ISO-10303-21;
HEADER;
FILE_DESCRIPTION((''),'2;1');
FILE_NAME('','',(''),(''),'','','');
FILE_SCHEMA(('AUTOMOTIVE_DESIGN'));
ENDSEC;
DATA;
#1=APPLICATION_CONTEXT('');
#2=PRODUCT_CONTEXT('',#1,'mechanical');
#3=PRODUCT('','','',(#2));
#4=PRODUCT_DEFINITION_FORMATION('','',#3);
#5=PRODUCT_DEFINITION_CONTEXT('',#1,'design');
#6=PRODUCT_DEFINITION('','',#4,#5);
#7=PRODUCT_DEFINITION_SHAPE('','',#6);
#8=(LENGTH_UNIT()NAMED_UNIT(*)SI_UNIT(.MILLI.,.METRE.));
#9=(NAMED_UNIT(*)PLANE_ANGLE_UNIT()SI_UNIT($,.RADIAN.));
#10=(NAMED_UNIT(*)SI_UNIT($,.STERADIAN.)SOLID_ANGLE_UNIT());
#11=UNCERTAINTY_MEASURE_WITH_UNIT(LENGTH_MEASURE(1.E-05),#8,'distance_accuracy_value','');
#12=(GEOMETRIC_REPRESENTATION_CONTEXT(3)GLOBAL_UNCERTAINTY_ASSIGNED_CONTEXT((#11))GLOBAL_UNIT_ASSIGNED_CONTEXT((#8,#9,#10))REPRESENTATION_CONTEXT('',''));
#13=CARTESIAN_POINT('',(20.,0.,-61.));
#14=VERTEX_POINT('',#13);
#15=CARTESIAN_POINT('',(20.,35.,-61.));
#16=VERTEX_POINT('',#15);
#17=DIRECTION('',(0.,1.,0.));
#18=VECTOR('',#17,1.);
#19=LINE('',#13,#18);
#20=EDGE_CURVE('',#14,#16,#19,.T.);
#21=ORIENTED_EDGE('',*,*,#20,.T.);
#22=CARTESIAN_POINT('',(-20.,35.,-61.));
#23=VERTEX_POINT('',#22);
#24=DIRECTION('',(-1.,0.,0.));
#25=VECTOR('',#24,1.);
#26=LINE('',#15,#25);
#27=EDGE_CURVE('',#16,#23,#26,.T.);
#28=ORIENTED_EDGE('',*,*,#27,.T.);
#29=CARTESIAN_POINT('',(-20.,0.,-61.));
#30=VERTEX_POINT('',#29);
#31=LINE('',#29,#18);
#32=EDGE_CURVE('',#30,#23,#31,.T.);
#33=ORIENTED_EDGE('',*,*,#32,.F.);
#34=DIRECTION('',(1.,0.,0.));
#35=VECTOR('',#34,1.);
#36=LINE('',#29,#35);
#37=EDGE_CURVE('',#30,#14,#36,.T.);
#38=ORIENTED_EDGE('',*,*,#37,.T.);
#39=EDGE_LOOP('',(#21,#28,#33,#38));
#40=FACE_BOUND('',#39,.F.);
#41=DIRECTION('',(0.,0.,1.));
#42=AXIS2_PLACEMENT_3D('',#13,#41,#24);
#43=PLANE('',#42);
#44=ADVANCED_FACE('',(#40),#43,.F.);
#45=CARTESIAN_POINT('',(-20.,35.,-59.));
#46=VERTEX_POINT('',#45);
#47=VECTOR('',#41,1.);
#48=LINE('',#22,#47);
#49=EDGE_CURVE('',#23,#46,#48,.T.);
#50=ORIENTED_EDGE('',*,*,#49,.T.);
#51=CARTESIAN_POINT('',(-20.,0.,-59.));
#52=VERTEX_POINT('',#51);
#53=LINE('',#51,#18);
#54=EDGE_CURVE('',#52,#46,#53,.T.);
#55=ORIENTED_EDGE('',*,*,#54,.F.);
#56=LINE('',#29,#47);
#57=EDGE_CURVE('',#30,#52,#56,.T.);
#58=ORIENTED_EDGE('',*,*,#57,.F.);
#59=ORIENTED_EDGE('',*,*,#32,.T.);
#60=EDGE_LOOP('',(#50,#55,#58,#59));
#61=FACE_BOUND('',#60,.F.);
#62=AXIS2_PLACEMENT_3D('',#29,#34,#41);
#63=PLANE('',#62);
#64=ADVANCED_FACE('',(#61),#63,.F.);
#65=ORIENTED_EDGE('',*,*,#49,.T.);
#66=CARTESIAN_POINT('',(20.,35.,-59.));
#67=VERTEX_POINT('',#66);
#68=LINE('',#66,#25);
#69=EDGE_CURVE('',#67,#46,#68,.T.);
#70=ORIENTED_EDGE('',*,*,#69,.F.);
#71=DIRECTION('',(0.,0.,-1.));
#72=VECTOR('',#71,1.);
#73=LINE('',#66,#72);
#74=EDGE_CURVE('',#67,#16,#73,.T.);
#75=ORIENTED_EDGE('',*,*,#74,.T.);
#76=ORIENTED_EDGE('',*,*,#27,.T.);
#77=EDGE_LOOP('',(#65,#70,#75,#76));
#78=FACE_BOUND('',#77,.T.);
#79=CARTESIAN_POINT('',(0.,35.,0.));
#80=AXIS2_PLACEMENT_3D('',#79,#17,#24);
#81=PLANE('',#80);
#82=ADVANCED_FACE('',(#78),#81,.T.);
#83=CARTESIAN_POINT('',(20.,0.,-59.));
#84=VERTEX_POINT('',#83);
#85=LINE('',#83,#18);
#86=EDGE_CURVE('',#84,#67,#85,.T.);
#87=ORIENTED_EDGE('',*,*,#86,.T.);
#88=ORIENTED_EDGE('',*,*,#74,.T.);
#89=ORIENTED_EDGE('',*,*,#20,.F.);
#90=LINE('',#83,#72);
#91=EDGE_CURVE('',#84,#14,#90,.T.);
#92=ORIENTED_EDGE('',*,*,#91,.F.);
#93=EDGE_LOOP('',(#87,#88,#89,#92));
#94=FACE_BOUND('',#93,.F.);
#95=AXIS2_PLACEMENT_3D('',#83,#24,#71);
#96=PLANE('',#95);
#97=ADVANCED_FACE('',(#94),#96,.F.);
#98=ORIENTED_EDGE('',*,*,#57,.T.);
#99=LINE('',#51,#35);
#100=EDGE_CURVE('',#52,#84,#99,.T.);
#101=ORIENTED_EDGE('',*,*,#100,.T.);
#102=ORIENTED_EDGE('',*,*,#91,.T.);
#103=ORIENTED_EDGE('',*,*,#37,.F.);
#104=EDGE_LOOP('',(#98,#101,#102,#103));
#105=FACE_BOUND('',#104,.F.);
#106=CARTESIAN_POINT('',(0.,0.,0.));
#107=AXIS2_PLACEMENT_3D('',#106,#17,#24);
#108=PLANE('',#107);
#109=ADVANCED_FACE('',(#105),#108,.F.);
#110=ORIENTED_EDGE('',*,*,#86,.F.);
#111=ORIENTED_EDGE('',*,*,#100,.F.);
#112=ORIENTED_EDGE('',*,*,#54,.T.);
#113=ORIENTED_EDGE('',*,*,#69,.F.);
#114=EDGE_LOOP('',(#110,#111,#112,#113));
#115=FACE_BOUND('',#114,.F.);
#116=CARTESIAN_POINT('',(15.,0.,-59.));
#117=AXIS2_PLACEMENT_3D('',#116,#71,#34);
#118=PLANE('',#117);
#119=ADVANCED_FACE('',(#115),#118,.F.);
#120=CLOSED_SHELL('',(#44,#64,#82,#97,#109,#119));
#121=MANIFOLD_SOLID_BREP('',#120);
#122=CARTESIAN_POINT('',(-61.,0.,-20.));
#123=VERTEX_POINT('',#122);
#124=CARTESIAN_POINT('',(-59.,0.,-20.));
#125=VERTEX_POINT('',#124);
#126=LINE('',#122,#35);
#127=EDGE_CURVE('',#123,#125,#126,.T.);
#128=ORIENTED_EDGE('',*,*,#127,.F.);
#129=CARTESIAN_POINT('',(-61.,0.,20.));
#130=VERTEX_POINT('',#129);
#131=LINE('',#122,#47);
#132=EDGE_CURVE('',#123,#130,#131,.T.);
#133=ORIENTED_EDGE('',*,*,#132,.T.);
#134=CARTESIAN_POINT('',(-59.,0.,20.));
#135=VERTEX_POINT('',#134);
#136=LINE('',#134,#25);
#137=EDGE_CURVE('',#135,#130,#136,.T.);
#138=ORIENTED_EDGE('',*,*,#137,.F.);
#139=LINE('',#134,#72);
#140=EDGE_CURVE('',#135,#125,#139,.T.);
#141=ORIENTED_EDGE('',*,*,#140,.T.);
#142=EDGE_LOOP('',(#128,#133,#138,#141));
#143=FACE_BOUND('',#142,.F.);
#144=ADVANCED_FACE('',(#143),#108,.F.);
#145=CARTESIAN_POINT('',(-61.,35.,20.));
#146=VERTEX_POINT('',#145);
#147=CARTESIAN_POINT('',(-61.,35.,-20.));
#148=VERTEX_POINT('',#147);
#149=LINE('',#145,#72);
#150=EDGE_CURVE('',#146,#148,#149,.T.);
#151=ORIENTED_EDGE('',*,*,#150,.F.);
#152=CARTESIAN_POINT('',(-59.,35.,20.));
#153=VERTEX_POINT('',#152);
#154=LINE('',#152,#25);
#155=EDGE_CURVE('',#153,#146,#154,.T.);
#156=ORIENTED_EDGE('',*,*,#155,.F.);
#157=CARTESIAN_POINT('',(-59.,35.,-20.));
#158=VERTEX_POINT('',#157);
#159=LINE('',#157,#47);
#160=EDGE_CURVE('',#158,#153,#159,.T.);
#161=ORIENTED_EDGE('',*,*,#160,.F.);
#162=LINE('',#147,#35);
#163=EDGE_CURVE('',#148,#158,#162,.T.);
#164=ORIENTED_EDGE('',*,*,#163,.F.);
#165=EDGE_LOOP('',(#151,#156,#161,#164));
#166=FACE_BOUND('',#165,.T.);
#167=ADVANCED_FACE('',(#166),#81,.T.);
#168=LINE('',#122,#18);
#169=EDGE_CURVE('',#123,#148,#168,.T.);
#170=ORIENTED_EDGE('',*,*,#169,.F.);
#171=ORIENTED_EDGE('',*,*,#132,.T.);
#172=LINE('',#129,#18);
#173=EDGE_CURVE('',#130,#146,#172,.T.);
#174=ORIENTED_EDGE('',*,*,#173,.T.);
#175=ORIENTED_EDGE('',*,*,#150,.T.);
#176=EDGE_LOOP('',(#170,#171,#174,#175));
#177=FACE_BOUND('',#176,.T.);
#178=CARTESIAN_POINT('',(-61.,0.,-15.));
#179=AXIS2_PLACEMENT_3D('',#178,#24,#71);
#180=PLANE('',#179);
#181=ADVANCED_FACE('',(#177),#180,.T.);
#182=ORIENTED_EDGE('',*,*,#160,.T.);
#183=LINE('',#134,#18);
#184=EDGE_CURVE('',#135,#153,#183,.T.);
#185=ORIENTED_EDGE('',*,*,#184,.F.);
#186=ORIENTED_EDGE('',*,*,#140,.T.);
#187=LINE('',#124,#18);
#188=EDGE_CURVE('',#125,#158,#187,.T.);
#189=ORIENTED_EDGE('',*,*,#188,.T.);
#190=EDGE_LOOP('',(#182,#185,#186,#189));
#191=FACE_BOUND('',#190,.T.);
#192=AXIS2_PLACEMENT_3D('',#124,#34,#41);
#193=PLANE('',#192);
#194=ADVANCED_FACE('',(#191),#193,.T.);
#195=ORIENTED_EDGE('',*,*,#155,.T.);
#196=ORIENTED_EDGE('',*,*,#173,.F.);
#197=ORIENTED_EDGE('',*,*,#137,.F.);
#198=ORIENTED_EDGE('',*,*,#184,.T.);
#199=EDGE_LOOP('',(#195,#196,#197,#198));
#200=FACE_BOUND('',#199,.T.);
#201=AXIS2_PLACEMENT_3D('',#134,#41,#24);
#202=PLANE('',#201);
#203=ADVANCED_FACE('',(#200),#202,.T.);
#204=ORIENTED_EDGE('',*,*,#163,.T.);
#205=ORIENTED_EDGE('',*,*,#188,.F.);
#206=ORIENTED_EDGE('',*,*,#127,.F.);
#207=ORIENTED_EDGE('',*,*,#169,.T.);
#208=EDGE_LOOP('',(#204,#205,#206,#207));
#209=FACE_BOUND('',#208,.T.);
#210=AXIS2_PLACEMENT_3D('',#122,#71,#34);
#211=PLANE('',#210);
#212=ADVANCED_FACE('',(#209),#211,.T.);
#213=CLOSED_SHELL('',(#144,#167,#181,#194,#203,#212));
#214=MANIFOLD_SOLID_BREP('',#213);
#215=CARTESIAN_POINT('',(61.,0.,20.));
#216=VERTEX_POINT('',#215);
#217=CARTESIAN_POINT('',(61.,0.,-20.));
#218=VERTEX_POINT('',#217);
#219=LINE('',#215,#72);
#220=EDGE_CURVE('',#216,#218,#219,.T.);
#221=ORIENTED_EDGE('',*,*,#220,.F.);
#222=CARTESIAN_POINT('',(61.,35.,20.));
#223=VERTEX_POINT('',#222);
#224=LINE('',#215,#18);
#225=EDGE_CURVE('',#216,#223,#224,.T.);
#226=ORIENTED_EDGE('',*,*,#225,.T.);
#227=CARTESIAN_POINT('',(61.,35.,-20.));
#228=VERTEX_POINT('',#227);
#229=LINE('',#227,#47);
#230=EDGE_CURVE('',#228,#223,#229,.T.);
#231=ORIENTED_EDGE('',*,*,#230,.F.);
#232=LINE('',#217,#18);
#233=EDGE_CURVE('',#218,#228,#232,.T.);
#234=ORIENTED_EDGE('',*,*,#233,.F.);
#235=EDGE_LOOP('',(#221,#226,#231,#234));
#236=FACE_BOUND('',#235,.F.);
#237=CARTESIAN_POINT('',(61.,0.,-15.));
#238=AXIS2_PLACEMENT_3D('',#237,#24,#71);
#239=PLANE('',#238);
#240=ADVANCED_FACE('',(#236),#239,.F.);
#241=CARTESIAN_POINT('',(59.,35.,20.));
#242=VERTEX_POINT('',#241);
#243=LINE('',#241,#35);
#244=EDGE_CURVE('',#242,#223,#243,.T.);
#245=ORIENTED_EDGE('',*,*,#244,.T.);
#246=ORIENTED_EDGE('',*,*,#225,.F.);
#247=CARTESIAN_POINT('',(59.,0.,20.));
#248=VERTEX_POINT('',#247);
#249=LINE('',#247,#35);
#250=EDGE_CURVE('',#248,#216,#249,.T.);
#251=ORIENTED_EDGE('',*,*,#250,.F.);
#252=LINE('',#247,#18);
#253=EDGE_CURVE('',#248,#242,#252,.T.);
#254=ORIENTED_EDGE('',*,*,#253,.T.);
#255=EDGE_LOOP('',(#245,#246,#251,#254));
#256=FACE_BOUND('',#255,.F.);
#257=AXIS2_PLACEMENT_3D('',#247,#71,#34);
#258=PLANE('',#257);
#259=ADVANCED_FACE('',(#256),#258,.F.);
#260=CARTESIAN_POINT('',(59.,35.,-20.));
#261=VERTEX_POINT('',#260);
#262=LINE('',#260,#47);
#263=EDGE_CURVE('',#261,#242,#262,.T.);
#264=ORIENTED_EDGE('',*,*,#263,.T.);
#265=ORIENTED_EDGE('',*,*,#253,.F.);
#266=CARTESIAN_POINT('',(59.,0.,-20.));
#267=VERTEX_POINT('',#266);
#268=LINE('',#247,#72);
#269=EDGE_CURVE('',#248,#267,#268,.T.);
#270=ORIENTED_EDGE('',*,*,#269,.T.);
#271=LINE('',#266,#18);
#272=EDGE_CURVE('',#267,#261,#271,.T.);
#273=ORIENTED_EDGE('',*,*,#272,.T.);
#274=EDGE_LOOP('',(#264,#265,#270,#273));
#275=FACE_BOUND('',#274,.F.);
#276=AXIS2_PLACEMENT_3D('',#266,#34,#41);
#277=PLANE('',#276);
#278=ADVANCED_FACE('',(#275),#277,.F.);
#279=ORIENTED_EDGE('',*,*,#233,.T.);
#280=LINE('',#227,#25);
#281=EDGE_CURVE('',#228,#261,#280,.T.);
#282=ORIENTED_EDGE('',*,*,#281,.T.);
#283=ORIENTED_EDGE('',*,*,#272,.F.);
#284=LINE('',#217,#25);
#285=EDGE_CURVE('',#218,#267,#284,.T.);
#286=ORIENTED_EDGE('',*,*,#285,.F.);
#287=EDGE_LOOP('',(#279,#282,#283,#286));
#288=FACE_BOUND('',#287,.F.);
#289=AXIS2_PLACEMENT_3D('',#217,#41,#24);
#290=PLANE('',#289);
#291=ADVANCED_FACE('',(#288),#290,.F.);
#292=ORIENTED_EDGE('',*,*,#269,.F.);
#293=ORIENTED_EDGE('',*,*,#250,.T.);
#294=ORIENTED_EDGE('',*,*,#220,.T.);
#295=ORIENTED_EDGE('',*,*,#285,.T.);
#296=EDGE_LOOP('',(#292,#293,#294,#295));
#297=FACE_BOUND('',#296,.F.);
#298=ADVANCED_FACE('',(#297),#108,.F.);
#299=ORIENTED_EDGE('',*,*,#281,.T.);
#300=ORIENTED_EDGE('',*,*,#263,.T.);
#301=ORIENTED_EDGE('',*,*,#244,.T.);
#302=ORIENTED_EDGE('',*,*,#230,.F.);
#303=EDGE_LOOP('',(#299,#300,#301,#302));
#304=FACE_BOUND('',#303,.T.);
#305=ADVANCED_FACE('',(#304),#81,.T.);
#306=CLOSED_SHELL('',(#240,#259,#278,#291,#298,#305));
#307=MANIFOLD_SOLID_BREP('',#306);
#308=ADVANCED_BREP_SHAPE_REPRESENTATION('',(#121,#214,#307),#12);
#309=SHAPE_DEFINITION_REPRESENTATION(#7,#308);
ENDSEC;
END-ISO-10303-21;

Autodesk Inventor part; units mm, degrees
ref_plane "YZ Plane" through (0, 0, 0) normal (1, 0, 0) x (0, 1, 0)
ref_plane "XZ Plane" through (0, 0, 0) normal (0, 1, 0) x (-1, 0, 0)
ref_plane "XY Plane" through (0, 0, 0) normal (0, 0, 1) x (1, 0, 0)
sketch "Náčrt2" plane through (0, 0, 0) normal (0, 1, 0) x (-1, 0, 0)
  line L0 (61, -20) -> (59, -20)
  line L1 (59, -20) -> (59, 20)
  line L2 (59, 20) -> (61, 20)
  line L3 (61, 20) -> (61, -20)
  line L4 (75, -75) -> (75, 75)
  line L5 (45, 45) -> (45, -45)
  line L6 (75, 15) -> (45, 15)
  line L7 (75, -15) -> (45, -15)
  line L8 (0, 17.5556) -> (0, -18.0256) construction
  line L9 (-61, -20) -> (-59, -20)
  line L10 (-59, -20) -> (-59, 20)
  line L11 (-59, 20) -> (-61, 20)
  line L12 (-61, 20) -> (-61, -20)
  line L13 (-75, 15) -> (-45, 15)
  line L14 (-75, -15) -> (-45, -15)
  line L15 (75, 75) -> (-75, 75) construction
  line L16 (0, 0) -> (-75, 75) construction
  line L17 (-20, 59) -> (-20, 61)
  line L18 (-15, 75) -> (-15, 45)
  line L19 (20, 59) -> (-20, 59)
  line L20 (20, 61) -> (20, 59)
  line L21 (-20, 61) -> (20, 61)
  line L22 (15, 75) -> (15, 45)
  line L23 (20, 0) -> (-37.5, 0) construction
  line L24 (-20, -59) -> (-20, -61)
  line L25 (-15, -75) -> (-15, -45)
  line L26 (20, -59) -> (-20, -59)
  line L27 (20, -61) -> (20, -59)
  line L28 (-20, -61) -> (20, -61)
  line L29 (15, -75) -> (15, -45)
  point P0 (59, 0)
  point P1 (60, 20)
  point P2 (60, -20)
  point P3 (-59, 0)
  point P4 (-60, 20)
  point P5 (-60, -20)
  point P6 (0, 59)
  point P7 (20, 60)
  point P8 (-20, 60)
  point P9 (0, -59)
  point P10 (-20, -60)
  point P11 (20, -60)
  dimension "d0" = 2
  dimension "d1" = 14
  dimension "d2" = 14
  dimension "d3" = 5
  dimension "d4" = 5
extrude "Vysunutí1" add sketch "Náčrt2" along normal blind 35 contours L0 L1 L7 L3 | L7 L1 L6 L3 | L6 L1 L2 L3 | L12 L14 L10 L9 | L12 L13 L10 L14 | L12 L11 L10 L13 | L26 L25 L28 L24 | L26 L29 L28 L25 | L26 L27 L28 L29
properties part number "sklo" material "Sklo"
